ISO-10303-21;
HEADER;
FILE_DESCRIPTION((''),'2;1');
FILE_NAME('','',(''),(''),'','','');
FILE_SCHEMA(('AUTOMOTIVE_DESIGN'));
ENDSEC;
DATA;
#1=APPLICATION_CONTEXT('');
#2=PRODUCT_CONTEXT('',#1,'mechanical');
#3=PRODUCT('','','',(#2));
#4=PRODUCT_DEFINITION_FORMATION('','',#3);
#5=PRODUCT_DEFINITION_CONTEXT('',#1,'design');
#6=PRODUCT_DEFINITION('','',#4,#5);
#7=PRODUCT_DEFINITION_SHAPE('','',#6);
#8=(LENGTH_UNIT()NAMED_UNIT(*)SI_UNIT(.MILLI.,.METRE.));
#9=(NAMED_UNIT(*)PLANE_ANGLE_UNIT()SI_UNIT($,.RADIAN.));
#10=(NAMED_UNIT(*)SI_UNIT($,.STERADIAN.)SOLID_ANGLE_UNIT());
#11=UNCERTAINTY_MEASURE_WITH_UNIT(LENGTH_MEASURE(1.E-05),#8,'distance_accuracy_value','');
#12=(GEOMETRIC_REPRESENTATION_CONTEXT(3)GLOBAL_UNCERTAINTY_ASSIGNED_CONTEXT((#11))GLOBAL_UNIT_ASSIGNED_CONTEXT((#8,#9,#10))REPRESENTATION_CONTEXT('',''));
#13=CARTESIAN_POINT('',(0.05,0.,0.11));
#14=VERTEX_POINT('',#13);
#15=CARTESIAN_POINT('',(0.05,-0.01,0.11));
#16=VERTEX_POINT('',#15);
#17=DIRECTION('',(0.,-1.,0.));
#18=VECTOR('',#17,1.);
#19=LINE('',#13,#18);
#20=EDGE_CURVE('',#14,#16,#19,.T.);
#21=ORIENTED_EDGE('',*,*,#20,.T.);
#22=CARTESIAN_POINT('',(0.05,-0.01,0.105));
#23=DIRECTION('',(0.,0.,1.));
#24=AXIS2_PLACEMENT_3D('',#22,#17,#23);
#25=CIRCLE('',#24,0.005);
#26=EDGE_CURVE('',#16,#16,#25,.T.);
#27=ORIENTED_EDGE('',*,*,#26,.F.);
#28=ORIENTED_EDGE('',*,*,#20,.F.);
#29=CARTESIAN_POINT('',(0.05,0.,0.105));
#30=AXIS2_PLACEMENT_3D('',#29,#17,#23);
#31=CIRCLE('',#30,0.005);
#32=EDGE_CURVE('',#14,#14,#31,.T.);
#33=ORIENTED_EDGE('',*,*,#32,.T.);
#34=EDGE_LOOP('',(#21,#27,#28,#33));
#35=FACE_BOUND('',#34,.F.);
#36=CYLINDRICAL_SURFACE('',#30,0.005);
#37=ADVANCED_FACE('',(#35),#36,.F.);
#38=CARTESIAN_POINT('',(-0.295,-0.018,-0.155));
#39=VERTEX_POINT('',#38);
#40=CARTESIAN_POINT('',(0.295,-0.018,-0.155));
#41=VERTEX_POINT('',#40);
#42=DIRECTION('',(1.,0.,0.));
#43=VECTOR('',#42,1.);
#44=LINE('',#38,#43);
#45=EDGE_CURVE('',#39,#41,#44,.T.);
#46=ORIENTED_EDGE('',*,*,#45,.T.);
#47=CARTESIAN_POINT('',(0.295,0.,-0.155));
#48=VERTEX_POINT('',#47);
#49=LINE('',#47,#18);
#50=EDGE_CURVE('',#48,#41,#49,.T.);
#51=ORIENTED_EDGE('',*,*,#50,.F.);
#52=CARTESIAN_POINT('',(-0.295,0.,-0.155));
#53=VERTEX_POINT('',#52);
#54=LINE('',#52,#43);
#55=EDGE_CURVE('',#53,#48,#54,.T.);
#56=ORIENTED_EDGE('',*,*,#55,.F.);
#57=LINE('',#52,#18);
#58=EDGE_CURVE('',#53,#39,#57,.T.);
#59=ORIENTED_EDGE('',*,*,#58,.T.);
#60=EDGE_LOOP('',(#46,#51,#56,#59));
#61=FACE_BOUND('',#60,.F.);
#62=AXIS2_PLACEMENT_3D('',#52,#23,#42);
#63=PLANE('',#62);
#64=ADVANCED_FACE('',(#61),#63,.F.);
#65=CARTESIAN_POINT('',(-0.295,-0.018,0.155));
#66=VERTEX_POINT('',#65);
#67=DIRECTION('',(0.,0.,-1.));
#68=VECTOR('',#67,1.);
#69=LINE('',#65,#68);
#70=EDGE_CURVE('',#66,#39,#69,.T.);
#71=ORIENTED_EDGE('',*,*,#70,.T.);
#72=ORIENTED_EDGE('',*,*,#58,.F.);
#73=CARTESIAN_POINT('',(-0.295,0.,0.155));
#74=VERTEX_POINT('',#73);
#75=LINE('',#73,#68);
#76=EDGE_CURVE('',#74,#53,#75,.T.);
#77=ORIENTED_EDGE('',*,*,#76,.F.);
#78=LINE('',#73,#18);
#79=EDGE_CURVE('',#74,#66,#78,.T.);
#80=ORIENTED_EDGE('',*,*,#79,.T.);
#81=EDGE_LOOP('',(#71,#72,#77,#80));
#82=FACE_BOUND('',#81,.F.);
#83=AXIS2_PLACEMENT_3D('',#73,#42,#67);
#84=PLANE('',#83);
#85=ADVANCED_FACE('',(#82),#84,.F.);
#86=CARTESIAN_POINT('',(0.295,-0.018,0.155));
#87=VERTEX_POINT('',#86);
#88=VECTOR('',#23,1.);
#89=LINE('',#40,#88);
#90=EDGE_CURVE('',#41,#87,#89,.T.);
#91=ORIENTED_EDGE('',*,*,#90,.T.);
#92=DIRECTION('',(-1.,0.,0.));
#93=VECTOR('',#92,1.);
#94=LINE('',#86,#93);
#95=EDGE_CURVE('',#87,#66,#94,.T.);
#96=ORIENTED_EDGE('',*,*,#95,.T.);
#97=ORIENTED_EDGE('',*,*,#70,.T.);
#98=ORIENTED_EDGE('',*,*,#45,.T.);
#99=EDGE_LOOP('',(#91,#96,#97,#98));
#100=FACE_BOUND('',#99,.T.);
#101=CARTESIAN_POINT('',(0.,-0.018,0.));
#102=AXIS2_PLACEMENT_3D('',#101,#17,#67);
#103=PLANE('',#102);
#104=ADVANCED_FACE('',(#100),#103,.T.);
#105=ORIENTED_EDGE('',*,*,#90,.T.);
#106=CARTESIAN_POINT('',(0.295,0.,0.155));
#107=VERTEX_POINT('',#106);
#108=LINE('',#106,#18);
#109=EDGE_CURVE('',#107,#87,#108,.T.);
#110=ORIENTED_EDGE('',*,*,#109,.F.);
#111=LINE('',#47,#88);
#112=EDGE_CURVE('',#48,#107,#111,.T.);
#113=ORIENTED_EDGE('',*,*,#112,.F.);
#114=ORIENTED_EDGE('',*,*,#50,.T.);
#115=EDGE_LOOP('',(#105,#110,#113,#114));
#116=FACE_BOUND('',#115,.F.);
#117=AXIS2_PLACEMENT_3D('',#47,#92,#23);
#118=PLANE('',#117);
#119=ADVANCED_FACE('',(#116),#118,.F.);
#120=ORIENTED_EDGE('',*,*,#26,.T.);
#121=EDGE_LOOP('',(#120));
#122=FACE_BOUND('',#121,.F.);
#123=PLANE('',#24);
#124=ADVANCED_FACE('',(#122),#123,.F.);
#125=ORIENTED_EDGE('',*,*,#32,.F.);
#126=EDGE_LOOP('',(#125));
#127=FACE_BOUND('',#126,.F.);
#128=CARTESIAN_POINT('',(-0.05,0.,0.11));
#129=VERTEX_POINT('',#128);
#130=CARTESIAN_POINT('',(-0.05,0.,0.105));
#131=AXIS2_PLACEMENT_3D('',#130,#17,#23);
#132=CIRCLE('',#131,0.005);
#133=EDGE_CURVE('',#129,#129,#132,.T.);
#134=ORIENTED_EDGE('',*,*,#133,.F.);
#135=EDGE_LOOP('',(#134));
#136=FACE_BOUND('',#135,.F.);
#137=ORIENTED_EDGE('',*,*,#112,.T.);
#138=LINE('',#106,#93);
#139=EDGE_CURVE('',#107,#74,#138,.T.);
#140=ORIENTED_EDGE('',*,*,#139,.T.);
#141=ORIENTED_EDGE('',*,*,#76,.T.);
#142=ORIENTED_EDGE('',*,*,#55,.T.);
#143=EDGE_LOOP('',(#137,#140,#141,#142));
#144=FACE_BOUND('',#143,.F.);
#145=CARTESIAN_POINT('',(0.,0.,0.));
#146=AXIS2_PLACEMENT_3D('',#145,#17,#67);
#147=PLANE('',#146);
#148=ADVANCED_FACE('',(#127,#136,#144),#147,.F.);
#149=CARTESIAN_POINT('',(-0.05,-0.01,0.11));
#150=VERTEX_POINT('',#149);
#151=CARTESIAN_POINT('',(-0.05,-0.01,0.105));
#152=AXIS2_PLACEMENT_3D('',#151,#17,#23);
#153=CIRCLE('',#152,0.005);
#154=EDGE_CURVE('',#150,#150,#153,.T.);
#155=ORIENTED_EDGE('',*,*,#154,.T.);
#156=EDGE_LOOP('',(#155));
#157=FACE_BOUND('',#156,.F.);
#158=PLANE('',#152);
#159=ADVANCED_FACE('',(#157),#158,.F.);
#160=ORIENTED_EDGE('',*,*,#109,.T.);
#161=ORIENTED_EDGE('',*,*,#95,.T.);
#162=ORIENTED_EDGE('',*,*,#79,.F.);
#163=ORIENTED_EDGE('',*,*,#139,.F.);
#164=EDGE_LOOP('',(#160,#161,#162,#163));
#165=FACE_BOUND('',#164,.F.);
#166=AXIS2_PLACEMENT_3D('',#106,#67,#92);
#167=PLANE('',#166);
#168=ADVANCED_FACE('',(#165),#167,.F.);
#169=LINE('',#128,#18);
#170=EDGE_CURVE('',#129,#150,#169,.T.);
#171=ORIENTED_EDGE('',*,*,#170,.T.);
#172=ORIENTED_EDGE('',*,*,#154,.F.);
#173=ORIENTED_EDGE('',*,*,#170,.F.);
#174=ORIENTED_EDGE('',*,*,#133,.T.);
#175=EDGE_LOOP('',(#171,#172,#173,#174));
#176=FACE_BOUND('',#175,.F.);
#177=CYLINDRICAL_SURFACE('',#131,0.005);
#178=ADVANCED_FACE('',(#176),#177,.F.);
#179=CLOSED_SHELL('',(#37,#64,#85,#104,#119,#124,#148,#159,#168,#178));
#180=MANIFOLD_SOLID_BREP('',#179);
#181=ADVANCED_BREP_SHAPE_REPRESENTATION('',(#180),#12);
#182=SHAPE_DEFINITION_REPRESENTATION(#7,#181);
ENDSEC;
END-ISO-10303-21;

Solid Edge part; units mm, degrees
sketch "Sketch1" plane through (0, 0, 0) normal (0, -1, 0) x (1, 0, 0)
  line L0 (-0.295, -0.155) -> (0.295, -0.155)
  line L1 (0.295, -0.155) -> (0.295, 0.155)
  line L2 (0.295, 0.155) -> (-0.295, 0.155)
  line L3 (-0.295, 0.155) -> (-0.295, -0.155)
  dimension "D1" = 0.31
  dimension "D2" = 0.59
extrude "Protrusion1" add sketch "Sketch1" along normal blind 0.018
hole "Bohrung_1" at (-0.05, 0, 0.105) direction (0, -1, 0) diameter 0.01 depth 0.01
hole "Hole1" at (0.05, 0, 0.105) direction (0, -1, 0) diameter 0.01 depth 0.01
